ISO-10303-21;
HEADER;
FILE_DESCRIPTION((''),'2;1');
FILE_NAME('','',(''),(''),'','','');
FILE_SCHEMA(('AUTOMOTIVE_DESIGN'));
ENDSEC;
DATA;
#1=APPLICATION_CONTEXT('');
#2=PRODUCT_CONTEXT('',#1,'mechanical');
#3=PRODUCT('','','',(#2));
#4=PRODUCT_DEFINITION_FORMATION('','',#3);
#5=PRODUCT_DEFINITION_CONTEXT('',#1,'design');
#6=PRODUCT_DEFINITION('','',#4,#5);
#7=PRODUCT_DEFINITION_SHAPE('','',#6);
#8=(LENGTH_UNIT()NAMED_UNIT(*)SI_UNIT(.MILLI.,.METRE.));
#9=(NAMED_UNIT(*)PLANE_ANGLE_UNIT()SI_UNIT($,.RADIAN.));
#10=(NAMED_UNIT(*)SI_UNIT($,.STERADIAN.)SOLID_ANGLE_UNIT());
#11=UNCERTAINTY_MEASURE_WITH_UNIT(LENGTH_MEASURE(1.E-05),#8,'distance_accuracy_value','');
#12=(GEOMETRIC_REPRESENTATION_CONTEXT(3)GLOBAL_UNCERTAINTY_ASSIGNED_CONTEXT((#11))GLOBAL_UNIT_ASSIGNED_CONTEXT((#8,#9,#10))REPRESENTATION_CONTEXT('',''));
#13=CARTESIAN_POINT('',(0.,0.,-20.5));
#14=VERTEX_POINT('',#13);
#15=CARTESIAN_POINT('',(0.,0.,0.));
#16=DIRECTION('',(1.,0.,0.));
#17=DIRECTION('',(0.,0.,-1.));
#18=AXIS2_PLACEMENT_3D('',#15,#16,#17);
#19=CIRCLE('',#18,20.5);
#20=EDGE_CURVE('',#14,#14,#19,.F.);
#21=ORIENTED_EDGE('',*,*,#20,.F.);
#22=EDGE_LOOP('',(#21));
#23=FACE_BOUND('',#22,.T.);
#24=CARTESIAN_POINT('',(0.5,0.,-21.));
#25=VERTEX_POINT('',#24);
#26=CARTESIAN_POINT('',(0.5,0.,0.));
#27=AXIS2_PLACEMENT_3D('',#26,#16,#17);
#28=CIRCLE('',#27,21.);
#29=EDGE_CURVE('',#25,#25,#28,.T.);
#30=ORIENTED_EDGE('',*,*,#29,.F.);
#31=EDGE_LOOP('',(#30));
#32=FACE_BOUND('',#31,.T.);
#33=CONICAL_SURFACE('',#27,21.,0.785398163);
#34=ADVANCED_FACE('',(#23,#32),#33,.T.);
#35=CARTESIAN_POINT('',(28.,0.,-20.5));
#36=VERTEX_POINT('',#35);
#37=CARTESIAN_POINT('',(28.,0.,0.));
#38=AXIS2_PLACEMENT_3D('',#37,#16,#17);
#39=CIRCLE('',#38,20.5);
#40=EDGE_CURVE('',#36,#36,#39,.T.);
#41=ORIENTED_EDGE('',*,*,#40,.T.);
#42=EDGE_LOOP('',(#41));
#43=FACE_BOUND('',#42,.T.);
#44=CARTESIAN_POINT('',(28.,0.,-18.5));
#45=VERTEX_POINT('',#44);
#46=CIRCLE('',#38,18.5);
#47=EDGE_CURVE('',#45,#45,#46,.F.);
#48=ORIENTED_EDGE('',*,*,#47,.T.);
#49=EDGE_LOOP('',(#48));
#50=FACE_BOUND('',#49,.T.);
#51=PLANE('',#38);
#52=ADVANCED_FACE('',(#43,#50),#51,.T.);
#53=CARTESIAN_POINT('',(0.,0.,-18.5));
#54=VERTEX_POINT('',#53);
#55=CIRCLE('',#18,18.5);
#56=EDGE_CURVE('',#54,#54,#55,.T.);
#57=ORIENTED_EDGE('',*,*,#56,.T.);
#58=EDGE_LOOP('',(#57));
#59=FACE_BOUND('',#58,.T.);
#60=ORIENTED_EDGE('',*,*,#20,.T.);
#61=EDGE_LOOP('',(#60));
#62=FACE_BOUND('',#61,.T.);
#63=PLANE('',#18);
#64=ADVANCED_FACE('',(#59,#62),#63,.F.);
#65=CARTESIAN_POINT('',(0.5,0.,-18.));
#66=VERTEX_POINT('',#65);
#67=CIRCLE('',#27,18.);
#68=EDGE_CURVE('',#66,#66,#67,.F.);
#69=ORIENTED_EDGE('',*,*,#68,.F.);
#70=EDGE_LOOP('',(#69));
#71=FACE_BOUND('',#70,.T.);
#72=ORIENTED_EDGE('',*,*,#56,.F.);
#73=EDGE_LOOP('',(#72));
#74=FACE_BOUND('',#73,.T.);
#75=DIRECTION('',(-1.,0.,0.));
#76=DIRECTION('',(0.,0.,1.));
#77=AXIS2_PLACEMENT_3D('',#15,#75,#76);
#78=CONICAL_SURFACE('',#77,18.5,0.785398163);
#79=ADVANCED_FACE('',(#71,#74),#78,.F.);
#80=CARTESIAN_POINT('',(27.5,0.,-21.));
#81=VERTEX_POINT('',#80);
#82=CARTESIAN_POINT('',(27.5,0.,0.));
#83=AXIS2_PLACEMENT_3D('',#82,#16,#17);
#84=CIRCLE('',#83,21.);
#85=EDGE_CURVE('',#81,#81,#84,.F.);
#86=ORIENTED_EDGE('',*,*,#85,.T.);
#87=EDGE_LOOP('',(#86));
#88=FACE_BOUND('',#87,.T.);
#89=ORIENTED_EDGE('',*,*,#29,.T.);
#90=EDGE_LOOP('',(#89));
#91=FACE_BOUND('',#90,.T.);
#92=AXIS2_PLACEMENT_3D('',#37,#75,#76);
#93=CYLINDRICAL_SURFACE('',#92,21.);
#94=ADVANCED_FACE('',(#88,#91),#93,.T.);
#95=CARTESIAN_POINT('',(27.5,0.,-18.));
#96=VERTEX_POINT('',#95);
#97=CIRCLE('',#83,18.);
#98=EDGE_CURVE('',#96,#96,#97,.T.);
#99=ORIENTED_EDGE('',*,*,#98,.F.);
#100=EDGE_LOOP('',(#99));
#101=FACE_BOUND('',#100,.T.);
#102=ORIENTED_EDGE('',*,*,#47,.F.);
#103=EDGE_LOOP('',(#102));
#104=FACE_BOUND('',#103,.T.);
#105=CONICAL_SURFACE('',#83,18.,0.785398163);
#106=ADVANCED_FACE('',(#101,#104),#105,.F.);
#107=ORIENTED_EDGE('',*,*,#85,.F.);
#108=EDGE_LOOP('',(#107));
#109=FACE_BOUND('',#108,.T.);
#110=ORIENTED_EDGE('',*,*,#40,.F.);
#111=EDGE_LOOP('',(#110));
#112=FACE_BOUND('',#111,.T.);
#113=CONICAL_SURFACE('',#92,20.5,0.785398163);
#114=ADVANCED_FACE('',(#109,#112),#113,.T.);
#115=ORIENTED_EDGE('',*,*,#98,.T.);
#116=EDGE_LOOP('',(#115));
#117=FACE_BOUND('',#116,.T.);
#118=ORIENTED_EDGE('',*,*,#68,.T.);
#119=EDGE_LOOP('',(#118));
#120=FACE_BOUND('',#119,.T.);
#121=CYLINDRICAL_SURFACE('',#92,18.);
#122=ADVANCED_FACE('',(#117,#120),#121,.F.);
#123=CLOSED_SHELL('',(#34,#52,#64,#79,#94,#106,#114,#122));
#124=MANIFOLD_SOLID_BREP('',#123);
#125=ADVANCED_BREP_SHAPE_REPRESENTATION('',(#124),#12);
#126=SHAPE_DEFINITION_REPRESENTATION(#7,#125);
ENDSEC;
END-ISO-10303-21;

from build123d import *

# Parameters (mm, degrees)
SKETCH_1_R      = 21
SKETCH_1_R_2    = 18
EXTRUDE_1_DEPTH = 28
CHAMFER_1_SIZE  = 0.5


with BuildPart() as part:
    # 草图1 → 凸台-拉伸1 (new body)
    with BuildSketch(Plane(origin=(0, 0, 0), x_dir=(0, 0, -1), z_dir=(1, 0, 0))):
        Circle(SKETCH_1_R)
        Circle(SKETCH_1_R_2, mode=Mode.SUBTRACT)
    extrude(amount=EXTRUDE_1_DEPTH)

    # 倒角1
    chamfer_1_edges = [part.edges().sort_by_distance(p)[0] for p in [
        (0, 0, 21),
        (28, 0, 21),
        (0, 0, 18),
        (28, 0, 18),
    ]]
    chamfer(chamfer_1_edges, length=CHAMFER_1_SIZE)


solid = part.part
